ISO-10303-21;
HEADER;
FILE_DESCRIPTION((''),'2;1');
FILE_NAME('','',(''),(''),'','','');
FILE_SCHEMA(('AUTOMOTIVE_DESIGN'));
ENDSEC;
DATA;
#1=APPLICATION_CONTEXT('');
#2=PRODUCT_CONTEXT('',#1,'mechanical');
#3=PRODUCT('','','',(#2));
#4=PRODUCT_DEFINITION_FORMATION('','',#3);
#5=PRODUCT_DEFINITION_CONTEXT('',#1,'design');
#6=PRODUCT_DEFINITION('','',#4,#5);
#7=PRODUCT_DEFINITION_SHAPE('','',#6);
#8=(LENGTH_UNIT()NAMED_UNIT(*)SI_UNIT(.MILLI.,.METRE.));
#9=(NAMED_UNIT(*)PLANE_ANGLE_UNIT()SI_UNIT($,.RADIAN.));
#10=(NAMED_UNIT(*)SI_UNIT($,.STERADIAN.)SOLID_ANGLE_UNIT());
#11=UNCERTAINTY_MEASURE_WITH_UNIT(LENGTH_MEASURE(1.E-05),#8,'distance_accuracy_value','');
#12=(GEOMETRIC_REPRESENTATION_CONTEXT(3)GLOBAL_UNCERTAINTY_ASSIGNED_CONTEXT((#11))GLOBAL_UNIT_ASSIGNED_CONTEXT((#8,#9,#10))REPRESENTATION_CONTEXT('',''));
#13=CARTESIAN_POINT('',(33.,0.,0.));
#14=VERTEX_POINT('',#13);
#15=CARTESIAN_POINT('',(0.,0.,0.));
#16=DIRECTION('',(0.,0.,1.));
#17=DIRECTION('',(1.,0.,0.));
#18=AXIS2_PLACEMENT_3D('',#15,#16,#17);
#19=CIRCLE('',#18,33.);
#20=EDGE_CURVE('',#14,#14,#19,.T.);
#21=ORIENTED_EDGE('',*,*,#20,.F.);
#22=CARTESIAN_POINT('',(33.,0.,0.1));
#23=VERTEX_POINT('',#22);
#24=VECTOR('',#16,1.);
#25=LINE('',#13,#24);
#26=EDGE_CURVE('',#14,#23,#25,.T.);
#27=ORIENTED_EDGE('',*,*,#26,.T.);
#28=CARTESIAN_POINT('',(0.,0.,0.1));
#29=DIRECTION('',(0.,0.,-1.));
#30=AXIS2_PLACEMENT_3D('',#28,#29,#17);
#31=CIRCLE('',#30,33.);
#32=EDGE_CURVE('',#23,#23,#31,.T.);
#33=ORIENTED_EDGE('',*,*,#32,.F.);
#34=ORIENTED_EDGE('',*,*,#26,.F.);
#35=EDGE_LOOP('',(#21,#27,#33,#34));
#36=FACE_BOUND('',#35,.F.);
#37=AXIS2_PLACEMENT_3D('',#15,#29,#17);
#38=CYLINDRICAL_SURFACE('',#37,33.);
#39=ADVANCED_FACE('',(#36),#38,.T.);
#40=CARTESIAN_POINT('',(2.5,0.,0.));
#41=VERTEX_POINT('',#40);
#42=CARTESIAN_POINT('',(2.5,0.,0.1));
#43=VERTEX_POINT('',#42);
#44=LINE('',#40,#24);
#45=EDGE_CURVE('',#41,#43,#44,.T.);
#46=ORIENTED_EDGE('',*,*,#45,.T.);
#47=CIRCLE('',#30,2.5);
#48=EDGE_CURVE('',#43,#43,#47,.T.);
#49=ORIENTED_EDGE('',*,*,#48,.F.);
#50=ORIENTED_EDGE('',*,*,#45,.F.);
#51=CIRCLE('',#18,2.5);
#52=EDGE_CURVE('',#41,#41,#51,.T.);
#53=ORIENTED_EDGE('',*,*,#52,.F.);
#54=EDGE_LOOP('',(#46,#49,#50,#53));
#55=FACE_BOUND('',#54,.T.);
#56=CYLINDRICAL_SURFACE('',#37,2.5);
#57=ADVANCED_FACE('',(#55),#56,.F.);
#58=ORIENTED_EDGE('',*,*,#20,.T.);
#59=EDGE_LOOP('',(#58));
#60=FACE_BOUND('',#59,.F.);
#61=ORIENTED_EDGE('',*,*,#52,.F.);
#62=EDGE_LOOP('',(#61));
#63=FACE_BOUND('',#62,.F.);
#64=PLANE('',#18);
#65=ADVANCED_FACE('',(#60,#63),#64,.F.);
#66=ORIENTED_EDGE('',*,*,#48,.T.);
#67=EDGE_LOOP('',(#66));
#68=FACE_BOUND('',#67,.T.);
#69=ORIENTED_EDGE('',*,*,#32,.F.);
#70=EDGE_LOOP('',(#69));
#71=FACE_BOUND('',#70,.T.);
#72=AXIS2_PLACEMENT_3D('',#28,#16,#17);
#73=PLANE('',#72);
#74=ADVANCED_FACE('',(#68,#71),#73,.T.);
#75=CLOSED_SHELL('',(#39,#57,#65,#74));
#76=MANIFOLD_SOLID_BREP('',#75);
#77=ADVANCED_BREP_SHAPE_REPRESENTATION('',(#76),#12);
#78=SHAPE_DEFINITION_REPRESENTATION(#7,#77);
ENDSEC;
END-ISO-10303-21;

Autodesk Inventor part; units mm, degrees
ref_plane "YZ Plane" through (0, 0, 0) normal (1, 0, 0) x (0, 1, 0)
ref_plane "XZ Plane" through (0, 0, 0) normal (0, 1, 0) x (-1, 0, 0)
ref_plane "XY Plane" through (0, 0, 0) normal (0, 0, 1) x (1, 0, 0)
sketch "Sketch1" plane through (0, 0, 0) normal (0, 1, 0) x (-1, 0, 0)
  circle A0 centre (0, 0) radius 32.5
  circle A1 centre (0, 0) radius 22.5
  circle A2 centre (0, 0) radius 16
  line L0 (22.5, 0) -> (32.5, 0)
  line L1 (22.4991, -0.1963) -> (32.4988, -0.2836)
  dimension "d0" = 65
  dimension "d2" = 10
  dimension "d3" = 32
  dimension "d12" = 0.5
extrude "Extrusion1" [suppressed]
extrude "Extrusion2" [suppressed]
pattern_circular "Circular Pattern1" [suppressed]
sketch "Sketch3" plane through (0, 0, 0) normal (0, 0, 1) x (1, 0, 0)
  circle A0 centre (0, 0) radius 33
  circle A1 centre (0, 0) radius 16.5
  circle A2 centre (0, 0) radius 2.5
  line L0 (-16.2493, -2.8652) -> (-16.2493, -28.7221)
  line L1 (0, 0) -> (-2.5, 0)
  line L2 (-16.1394, -3.4305) -> (-15.237, -29.2717)
  line L3 (-16.0099, -3.9917) -> (-14.2062, -29.7856)
  line L4 (-15.8608, -4.548) -> (-13.158, -30.2633)
  line L5 (-15.6924, -5.0988) -> (-12.0938, -30.7041)
  line L6 (-15.5049, -5.6433) -> (-11.0149, -31.1074)
  line L7 (-15.2985, -6.181) -> (-9.9226, -31.4729)
  line L8 (-15.0735, -6.7112) -> (-8.8181, -31.8)
  line L9 (-14.8301, -7.2331) -> (-7.703, -32.0884)
  line L10 (-14.5686, -7.7463) -> (-6.5784, -32.3377)
  line L11 (-14.2894, -8.25) -> (-5.4458, -32.5475)
  line L12 (-13.9928, -8.7437) -> (-4.3066, -32.7178)
  line L13 (-13.6791, -9.2267) -> (-3.1622, -32.8481)
  line L14 (-13.3488, -9.6985) -> (-2.0139, -32.9385)
  line L15 (-13.0022, -10.1584) -> (-0.8631, -32.9887)
  line L16 (-12.6397, -10.606) -> (0.2887, -32.9987)
  line L17 (-12.2619, -11.0407) -> (1.4402, -32.9686)
  line L18 (-11.8691, -11.4619) -> (2.5899, -32.8982)
  line L19 (-11.4619, -11.8691) -> (3.7364, -32.7878)
  line L20 (-11.0407, -12.2619) -> (4.8784, -32.6374)
  line L21 (-10.606, -12.6397) -> (6.0145, -32.4473)
  line L22 (-10.1584, -13.0022) -> (7.1432, -32.2176)
  line L23 (-9.6985, -13.3488) -> (8.2633, -31.9487)
  line L24 (-9.2267, -13.6791) -> (9.3732, -31.6408)
  line L25 (-8.7437, -13.9928) -> (10.4718, -31.2944)
  line L26 (-8.25, -14.2894) -> (11.5575, -30.9099)
  line L27 (-7.7463, -14.5686) -> (12.6292, -30.4877)
  line L28 (-7.2331, -14.8301) -> (13.6856, -30.0284)
  line L29 (-6.7112, -15.0735) -> (14.7252, -29.5325)
  line L30 (-6.181, -15.2985) -> (15.7469, -29.0006)
  line L31 (-5.6433, -15.5049) -> (16.7494, -28.4334)
  line L32 (-5.0988, -15.6924) -> (17.7315, -27.8315)
  line L33 (-4.548, -15.8608) -> (18.692, -27.1957)
  line L34 (-3.9917, -16.0099) -> (19.6298, -26.5268)
  line L35 (-3.4305, -16.1394) -> (20.5436, -25.8256)
  line L36 (-2.8652, -16.2493) -> (21.4324, -25.0929)
  line L37 (-2.2964, -16.3394) -> (22.295, -24.3296)
  line L38 (-1.7247, -16.4096) -> (23.1305, -23.5367)
  line L39 (-1.151, -16.4598) -> (23.9379, -22.7152)
  line L40 (-0.5758, -16.4899) -> (24.716, -21.8659)
  line L41 (0, -16.5) -> (25.4641, -20.99)
  line L42 (0.5758, -16.4899) -> (26.1811, -20.0885)
  line L43 (1.151, -16.4598) -> (26.8662, -19.1626)
  line L44 (1.7247, -16.4096) -> (27.5186, -18.2133)
  line L45 (2.2964, -16.3394) -> (28.1375, -17.2418)
  line L46 (2.8652, -16.2493) -> (28.7221, -16.2493)
  line L47 (3.4305, -16.1394) -> (29.2717, -15.237)
  line L48 (3.9917, -16.0099) -> (29.7856, -14.2062)
  line L49 (4.548, -15.8608) -> (30.2633, -13.158)
  line L50 (5.0988, -15.6924) -> (30.7041, -12.0938)
  line L51 (5.6433, -15.5049) -> (31.1074, -11.0149)
  line L52 (6.181, -15.2985) -> (31.4729, -9.9226)
  line L53 (6.7112, -15.0735) -> (31.8, -8.8181)
  line L54 (7.2331, -14.8301) -> (32.0884, -7.703)
  line L55 (7.7463, -14.5686) -> (32.3377, -6.5784)
  line L56 (8.25, -14.2894) -> (32.5475, -5.4458)
  line L57 (8.7437, -13.9928) -> (32.7178, -4.3066)
  line L58 (9.2267, -13.6791) -> (32.8481, -3.1622)
  line L59 (9.6985, -13.3488) -> (32.9385, -2.0139)
  line L60 (10.1584, -13.0022) -> (32.9887, -0.8631)
  line L61 (10.606, -12.6397) -> (32.9987, 0.2887)
  line L62 (11.0407, -12.2619) -> (32.9686, 1.4402)
  line L63 (11.4619, -11.8691) -> (32.8982, 2.5899)
  line L64 (11.8691, -11.4619) -> (32.7878, 3.7364)
  line L65 (12.2619, -11.0407) -> (32.6374, 4.8784)
  line L66 (12.6397, -10.606) -> (32.4473, 6.0145)
  line L67 (13.0022, -10.1584) -> (32.2176, 7.1432)
  line L68 (13.3488, -9.6985) -> (31.9487, 8.2633)
  line L69 (13.6791, -9.2267) -> (31.6408, 9.3732)
  line L70 (13.9928, -8.7437) -> (31.2944, 10.4718)
  line L71 (14.2894, -8.25) -> (30.9099, 11.5575)
  line L72 (14.5686, -7.7463) -> (30.4877, 12.6292)
  line L73 (14.8301, -7.2331) -> (30.0284, 13.6856)
  line L74 (15.0735, -6.7112) -> (29.5325, 14.7252)
  line L75 (15.2985, -6.181) -> (29.0006, 15.7469)
  line L76 (15.5049, -5.6433) -> (28.4334, 16.7494)
  line L77 (15.6924, -5.0988) -> (27.8315, 17.7315)
  line L78 (15.8608, -4.548) -> (27.1957, 18.692)
  line L79 (16.0099, -3.9917) -> (26.5268, 19.6298)
  line L80 (16.1394, -3.4305) -> (25.8256, 20.5436)
  line L81 (16.2493, -2.8652) -> (25.0929, 21.4324)
  line L82 (16.3394, -2.2964) -> (24.3296, 22.295)
  line L83 (16.4096, -1.7247) -> (23.5367, 23.1305)
  line L84 (16.4598, -1.151) -> (22.7152, 23.9379)
  line L85 (16.4899, -0.5758) -> (21.8659, 24.716)
  line L86 (16.5, 0) -> (20.99, 25.4641)
  line L87 (16.4899, 0.5758) -> (20.0885, 26.1811)
  line L88 (16.4598, 1.151) -> (19.1626, 26.8662)
  line L89 (16.4096, 1.7247) -> (18.2133, 27.5186)
  line L90 (16.3394, 2.2964) -> (17.2418, 28.1375)
  line L91 (16.2493, 2.8652) -> (16.2493, 28.7221)
  line L92 (16.1394, 3.4305) -> (15.237, 29.2717)
  line L93 (16.0099, 3.9917) -> (14.2062, 29.7856)
  line L94 (15.8608, 4.548) -> (13.158, 30.2633)
  line L95 (15.6924, 5.0988) -> (12.0938, 30.7041)
  line L96 (15.5049, 5.6433) -> (11.0149, 31.1074)
  line L97 (15.2985, 6.181) -> (9.9226, 31.4729)
  line L98 (15.0735, 6.7112) -> (8.8181, 31.8)
  line L99 (14.8301, 7.2331) -> (7.703, 32.0884)
  line L100 (14.5686, 7.7463) -> (6.5784, 32.3377)
  line L101 (14.2894, 8.25) -> (5.4458, 32.5475)
  line L102 (13.9928, 8.7437) -> (4.3066, 32.7178)
  line L103 (13.6791, 9.2267) -> (3.1622, 32.8481)
  line L104 (13.3488, 9.6985) -> (2.0139, 32.9385)
  line L105 (13.0022, 10.1584) -> (0.8631, 32.9887)
  line L106 (12.6397, 10.606) -> (-0.2887, 32.9987)
  line L107 (12.2619, 11.0407) -> (-1.4402, 32.9686)
  line L108 (11.8691, 11.4619) -> (-2.5899, 32.8982)
  line L109 (11.4619, 11.8691) -> (-3.7364, 32.7878)
  line L110 (11.0407, 12.2619) -> (-4.8784, 32.6374)
  line L111 (10.606, 12.6397) -> (-6.0145, 32.4473)
  line L112 (10.1584, 13.0022) -> (-7.1432, 32.2176)
  line L113 (9.6985, 13.3488) -> (-8.2633, 31.9487)
  line L114 (9.2267, 13.6791) -> (-9.3732, 31.6408)
  line L115 (8.7437, 13.9928) -> (-10.4718, 31.2944)
  line L116 (8.25, 14.2894) -> (-11.5575, 30.9099)
  line L117 (7.7463, 14.5686) -> (-12.6292, 30.4877)
  line L118 (7.2331, 14.8301) -> (-13.6856, 30.0284)
  line L119 (6.7112, 15.0735) -> (-14.7252, 29.5325)
  line L120 (6.181, 15.2985) -> (-15.7469, 29.0006)
  line L121 (5.6433, 15.5049) -> (-16.7494, 28.4334)
  line L122 (5.0988, 15.6924) -> (-17.7315, 27.8315)
  line L123 (4.548, 15.8608) -> (-18.692, 27.1957)
  line L124 (3.9917, 16.0099) -> (-19.6298, 26.5268)
  line L125 (3.4305, 16.1394) -> (-20.5436, 25.8256)
  line L126 (2.8652, 16.2493) -> (-21.4324, 25.0929)
  line L127 (2.2964, 16.3394) -> (-22.295, 24.3296)
  line L128 (1.7247, 16.4096) -> (-23.1305, 23.5367)
  line L129 (1.151, 16.4598) -> (-23.9379, 22.7152)
  line L130 (0.5758, 16.4899) -> (-24.716, 21.8659)
  line L131 (0, 16.5) -> (-25.4641, 20.99)
  line L132 (-0.5758, 16.4899) -> (-26.1811, 20.0885)
  line L133 (-1.151, 16.4598) -> (-26.8662, 19.1626)
  line L134 (-1.7247, 16.4096) -> (-27.5186, 18.2133)
  line L135 (-2.2964, 16.3394) -> (-28.1375, 17.2418)
  line L136 (-2.8652, 16.2493) -> (-28.7221, 16.2493)
  line L137 (-3.4305, 16.1394) -> (-29.2717, 15.237)
  line L138 (-3.9917, 16.0099) -> (-29.7856, 14.2062)
  line L139 (-4.548, 15.8608) -> (-30.2633, 13.158)
  line L140 (-5.0988, 15.6924) -> (-30.7041, 12.0938)
  line L141 (-5.6433, 15.5049) -> (-31.1074, 11.0149)
  line L142 (-6.181, 15.2985) -> (-31.4729, 9.9226)
  line L143 (-6.7112, 15.0735) -> (-31.8, 8.8181)
  line L144 (-7.2331, 14.8301) -> (-32.0884, 7.703)
  line L145 (-7.7463, 14.5686) -> (-32.3377, 6.5784)
  line L146 (-8.25, 14.2894) -> (-32.5475, 5.4458)
  line L147 (-8.7437, 13.9928) -> (-32.7178, 4.3066)
  line L148 (-9.2267, 13.6791) -> (-32.8481, 3.1622)
  line L149 (-9.6985, 13.3488) -> (-32.9385, 2.0139)
  line L150 (-10.1584, 13.0022) -> (-32.9887, 0.8631)
  line L151 (-10.606, 12.6397) -> (-32.9987, -0.2887)
  line L152 (-11.0407, 12.2619) -> (-32.9686, -1.4402)
  line L153 (-11.4619, 11.8691) -> (-32.8982, -2.5899)
  line L154 (-11.8691, 11.4619) -> (-32.7878, -3.7364)
  line L155 (-12.2619, 11.0407) -> (-32.6374, -4.8784)
  line L156 (-12.6397, 10.606) -> (-32.4473, -6.0145)
  line L157 (-13.0022, 10.1584) -> (-32.2176, -7.1432)
  line L158 (-13.3488, 9.6985) -> (-31.9487, -8.2633)
  line L159 (-13.6791, 9.2267) -> (-31.6408, -9.3732)
  line L160 (-13.9928, 8.7437) -> (-31.2944, -10.4718)
  line L161 (-14.2894, 8.25) -> (-30.9099, -11.5575)
  line L162 (-14.5686, 7.7463) -> (-30.4877, -12.6292)
  line L163 (-14.8301, 7.2331) -> (-30.0284, -13.6856)
  line L164 (-15.0735, 6.7112) -> (-29.5325, -14.7252)
  line L165 (-15.2985, 6.181) -> (-29.0006, -15.7469)
  line L166 (-15.5049, 5.6433) -> (-28.4334, -16.7494)
  line L167 (-15.6924, 5.0988) -> (-27.8315, -17.7315)
  line L168 (-15.8608, 4.548) -> (-27.1957, -18.692)
  line L169 (-16.0099, 3.9917) -> (-26.5268, -19.6298)
  line L170 (-16.1394, 3.4305) -> (-25.8256, -20.5436)
  line L171 (-16.2493, 2.8652) -> (-25.0929, -21.4324)
  line L172 (-16.3394, 2.2964) -> (-24.3296, -22.295)
  line L173 (-16.4096, 1.7247) -> (-23.5367, -23.1305)
  line L174 (-16.4598, 1.151) -> (-22.7152, -23.9379)
  line L175 (-16.4899, 0.5758) -> (-21.8659, -24.716)
  line L176 (-16.5, 0) -> (-20.99, -25.4641)
  line L177 (-16.4899, -0.5758) -> (-20.0885, -26.1811)
  line L178 (-16.4598, -1.151) -> (-19.1626, -26.8662)
  line L179 (-16.4096, -1.7247) -> (-18.2133, -27.5186)
  line L180 (-16.3394, -2.2964) -> (-17.2418, -28.1375)
  dimension "d21" = 66
  dimension "d27" = 33
  dimension "d28" = 5
  dimension "d29" = 90
  dimension "d32" = 360
extrude "Extrusion6" add sketch "Sketch3" along normal blind 0.1
properties part number "InkrementalisFolia"
